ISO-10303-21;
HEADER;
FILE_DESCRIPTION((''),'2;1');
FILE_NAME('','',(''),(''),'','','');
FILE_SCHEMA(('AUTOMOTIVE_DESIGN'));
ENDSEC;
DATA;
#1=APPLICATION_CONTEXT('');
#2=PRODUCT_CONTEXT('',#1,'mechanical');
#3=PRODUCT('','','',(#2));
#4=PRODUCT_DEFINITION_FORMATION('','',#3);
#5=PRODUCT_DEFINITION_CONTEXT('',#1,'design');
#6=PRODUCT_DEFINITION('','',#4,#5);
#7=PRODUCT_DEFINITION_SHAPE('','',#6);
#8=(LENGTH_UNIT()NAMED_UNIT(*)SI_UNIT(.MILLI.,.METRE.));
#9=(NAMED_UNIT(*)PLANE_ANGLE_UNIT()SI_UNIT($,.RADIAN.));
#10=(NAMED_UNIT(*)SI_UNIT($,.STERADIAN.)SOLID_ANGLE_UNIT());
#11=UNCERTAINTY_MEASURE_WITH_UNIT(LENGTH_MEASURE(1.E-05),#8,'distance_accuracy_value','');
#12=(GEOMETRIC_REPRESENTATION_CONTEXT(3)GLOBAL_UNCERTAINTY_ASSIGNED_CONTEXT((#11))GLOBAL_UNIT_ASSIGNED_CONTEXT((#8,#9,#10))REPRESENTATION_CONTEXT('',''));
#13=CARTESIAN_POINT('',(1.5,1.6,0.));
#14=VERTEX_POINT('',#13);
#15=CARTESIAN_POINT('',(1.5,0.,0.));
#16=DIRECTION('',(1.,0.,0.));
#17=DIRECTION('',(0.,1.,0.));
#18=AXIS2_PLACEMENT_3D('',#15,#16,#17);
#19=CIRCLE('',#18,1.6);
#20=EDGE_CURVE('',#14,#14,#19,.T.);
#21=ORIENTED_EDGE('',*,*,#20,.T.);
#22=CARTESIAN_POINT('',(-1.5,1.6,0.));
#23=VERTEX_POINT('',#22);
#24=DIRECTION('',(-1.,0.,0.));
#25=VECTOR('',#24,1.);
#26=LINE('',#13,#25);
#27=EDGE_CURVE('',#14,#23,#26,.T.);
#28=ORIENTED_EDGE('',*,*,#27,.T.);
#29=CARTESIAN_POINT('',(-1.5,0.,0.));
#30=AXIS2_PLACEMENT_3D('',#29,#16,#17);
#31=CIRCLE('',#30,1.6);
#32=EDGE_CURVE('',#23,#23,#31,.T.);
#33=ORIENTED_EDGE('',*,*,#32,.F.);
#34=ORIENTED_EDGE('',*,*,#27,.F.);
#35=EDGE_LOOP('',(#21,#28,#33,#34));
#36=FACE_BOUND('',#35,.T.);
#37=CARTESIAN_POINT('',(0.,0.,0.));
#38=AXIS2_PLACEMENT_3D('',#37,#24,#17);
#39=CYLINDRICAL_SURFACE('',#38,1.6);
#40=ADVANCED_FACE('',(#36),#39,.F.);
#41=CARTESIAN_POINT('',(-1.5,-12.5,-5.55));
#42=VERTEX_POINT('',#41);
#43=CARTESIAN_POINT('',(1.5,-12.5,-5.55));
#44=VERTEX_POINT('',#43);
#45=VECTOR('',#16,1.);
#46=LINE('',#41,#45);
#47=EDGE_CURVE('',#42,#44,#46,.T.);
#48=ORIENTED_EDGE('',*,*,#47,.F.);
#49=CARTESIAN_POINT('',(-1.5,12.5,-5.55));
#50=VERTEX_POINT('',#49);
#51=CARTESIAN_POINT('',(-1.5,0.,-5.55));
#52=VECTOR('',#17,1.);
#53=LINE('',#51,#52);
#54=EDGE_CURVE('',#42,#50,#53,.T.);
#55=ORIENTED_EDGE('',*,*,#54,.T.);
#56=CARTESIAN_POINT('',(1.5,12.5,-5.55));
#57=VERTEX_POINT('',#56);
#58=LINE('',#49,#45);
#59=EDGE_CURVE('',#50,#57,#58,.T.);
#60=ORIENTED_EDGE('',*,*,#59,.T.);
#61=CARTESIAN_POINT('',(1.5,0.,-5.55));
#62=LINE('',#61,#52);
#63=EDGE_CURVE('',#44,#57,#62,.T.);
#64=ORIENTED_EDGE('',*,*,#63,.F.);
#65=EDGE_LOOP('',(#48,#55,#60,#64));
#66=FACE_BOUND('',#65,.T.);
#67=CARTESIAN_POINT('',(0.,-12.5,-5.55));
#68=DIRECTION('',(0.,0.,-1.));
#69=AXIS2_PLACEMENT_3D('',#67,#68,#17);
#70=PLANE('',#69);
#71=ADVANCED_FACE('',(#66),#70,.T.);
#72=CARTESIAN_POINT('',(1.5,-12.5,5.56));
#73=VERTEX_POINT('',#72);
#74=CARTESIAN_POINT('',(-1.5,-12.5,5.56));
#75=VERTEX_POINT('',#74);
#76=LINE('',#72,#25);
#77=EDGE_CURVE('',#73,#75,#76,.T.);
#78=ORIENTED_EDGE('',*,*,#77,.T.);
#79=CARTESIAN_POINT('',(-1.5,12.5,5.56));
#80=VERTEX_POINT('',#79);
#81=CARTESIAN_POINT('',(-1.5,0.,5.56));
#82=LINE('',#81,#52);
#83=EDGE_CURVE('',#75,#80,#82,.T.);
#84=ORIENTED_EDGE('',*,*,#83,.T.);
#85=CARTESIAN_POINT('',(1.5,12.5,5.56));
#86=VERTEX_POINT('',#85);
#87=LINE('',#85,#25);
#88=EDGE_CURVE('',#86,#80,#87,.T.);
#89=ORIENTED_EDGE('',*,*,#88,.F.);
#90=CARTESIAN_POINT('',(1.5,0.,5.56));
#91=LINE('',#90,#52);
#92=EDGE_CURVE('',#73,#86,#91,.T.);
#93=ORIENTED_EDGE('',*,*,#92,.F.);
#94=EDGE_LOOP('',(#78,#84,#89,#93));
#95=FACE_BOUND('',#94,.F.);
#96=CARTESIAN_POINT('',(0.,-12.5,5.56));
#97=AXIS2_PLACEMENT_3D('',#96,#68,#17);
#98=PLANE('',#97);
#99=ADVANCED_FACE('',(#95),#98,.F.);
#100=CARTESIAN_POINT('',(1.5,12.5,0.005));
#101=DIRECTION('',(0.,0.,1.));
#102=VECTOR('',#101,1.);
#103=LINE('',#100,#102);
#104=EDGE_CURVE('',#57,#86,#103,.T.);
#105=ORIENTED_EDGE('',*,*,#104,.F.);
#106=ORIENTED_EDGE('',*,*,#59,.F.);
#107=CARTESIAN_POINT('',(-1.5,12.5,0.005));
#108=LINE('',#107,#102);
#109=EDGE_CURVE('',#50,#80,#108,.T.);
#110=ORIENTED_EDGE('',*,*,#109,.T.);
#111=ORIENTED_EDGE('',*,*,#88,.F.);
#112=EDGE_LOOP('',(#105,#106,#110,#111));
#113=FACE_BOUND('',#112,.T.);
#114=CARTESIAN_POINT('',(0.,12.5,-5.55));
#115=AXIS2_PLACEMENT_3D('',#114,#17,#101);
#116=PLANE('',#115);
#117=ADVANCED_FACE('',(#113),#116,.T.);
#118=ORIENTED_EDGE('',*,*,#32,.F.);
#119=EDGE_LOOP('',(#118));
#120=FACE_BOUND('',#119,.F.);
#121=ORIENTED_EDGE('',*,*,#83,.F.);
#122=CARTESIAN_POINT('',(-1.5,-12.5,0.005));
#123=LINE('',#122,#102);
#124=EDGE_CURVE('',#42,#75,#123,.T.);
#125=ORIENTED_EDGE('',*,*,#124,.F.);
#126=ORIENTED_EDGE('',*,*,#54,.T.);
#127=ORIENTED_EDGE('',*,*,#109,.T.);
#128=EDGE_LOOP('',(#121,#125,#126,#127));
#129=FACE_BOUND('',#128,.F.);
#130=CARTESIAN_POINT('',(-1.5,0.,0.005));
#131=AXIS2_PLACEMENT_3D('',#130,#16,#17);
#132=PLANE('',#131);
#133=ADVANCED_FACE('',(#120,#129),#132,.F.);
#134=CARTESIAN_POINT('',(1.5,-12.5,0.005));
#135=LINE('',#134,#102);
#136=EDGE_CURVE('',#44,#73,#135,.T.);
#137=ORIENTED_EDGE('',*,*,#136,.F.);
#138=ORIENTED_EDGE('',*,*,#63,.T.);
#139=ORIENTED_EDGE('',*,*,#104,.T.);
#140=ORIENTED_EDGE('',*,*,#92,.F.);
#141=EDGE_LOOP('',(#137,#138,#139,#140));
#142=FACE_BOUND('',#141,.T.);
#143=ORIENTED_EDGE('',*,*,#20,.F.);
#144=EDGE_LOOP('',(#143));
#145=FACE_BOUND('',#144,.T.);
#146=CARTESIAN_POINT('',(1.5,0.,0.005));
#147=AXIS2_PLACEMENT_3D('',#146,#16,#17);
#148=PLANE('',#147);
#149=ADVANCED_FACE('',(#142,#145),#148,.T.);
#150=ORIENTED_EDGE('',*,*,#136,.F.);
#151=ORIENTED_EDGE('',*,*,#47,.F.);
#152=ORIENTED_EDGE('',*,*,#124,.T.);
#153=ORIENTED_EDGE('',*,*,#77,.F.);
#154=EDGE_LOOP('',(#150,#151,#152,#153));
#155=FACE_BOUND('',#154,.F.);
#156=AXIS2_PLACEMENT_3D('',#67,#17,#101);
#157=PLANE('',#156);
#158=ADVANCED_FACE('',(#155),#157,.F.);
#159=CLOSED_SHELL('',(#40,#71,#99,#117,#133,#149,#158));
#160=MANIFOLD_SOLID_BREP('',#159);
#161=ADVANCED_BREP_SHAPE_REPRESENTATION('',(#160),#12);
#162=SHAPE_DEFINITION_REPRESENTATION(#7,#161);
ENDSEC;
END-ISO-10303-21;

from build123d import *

# Parameters (mm, degrees)
F0_W     = 25
F0_H     = 11.11
F0_R     = 1.6
F1_DEPTH = 1.5


with BuildPart() as f1:
    # F0 (on Right) → F1 (new body, symmetric)
    with BuildSketch(Plane.YZ):
        with Locations((0, 0.005)):
            Rectangle(F0_W, F0_H)
        Circle(F0_R, mode=Mode.SUBTRACT)
    extrude(amount=F1_DEPTH, both=True)


solid = f1.part
